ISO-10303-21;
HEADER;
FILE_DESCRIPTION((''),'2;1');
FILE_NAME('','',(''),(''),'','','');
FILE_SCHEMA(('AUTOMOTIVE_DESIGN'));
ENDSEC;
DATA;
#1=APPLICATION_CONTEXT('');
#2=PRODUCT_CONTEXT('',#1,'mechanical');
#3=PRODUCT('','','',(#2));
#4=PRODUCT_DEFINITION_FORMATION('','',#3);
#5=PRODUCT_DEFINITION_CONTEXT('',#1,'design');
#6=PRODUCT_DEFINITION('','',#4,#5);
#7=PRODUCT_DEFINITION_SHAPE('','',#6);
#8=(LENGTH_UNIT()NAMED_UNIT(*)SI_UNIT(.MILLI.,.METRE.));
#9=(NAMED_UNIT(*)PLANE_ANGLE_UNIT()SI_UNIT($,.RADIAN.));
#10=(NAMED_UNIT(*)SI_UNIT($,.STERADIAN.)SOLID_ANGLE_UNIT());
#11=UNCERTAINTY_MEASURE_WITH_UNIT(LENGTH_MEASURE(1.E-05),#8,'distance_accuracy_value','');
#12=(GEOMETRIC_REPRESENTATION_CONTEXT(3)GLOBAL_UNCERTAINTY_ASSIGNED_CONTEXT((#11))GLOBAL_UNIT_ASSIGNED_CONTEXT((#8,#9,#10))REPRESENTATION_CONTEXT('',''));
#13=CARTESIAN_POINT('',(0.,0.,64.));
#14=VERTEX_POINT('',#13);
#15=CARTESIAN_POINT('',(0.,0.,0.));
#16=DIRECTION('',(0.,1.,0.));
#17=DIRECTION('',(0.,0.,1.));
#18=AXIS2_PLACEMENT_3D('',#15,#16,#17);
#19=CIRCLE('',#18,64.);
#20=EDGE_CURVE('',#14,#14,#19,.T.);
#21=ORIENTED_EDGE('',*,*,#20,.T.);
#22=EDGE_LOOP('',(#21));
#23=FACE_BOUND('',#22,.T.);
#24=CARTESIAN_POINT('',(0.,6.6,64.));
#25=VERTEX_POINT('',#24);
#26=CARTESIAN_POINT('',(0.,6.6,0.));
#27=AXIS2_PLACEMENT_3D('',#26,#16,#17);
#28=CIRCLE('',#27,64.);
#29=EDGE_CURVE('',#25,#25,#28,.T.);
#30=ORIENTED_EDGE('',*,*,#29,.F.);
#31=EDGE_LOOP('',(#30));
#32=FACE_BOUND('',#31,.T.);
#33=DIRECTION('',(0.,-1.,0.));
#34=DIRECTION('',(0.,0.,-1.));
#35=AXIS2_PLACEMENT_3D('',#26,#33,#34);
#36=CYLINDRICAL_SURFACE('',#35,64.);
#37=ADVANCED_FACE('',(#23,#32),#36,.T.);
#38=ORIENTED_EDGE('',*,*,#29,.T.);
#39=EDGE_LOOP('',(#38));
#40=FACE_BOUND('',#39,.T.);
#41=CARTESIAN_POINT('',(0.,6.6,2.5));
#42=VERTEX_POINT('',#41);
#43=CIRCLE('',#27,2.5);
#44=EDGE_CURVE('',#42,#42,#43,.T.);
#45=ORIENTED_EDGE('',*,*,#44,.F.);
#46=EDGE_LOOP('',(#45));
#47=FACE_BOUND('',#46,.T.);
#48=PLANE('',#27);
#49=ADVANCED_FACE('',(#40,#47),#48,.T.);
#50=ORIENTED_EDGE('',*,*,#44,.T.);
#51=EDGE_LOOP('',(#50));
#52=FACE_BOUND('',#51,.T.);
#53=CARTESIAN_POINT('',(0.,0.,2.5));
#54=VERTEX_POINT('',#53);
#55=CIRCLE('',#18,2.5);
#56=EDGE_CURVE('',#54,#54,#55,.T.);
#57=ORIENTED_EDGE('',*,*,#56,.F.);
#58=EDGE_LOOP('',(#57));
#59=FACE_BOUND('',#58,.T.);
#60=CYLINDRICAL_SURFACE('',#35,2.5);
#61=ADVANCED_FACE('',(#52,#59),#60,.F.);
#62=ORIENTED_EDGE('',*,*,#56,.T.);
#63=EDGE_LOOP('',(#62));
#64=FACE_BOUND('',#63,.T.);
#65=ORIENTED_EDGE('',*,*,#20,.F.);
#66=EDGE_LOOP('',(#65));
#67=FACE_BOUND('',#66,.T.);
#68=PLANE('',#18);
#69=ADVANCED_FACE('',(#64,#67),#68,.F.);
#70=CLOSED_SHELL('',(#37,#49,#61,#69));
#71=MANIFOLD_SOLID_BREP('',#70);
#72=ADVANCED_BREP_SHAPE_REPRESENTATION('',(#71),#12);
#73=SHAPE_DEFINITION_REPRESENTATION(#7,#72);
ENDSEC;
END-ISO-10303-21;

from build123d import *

# Parameters (mm, degrees)
SKETCH1_R       = 64
SKETCH1_R_2     = 2.5
PROP_DISC_DEPTH = 6.6


with BuildPart() as part:
    # Sketch1 → Prop disc (new body)
    with BuildSketch(Plane(origin=(0, 0, 0), x_dir=(1, 0, 0), z_dir=(0, 1, 0))):
        with Locations(Location((0, 0, 0), (0, 0, 270))):
            Circle(SKETCH1_R)
        with Locations(Location((0, 0, 0), (0, 0, 270))):
            Circle(SKETCH1_R_2, mode=Mode.SUBTRACT)
    extrude(amount=PROP_DISC_DEPTH)


solid = part.part
